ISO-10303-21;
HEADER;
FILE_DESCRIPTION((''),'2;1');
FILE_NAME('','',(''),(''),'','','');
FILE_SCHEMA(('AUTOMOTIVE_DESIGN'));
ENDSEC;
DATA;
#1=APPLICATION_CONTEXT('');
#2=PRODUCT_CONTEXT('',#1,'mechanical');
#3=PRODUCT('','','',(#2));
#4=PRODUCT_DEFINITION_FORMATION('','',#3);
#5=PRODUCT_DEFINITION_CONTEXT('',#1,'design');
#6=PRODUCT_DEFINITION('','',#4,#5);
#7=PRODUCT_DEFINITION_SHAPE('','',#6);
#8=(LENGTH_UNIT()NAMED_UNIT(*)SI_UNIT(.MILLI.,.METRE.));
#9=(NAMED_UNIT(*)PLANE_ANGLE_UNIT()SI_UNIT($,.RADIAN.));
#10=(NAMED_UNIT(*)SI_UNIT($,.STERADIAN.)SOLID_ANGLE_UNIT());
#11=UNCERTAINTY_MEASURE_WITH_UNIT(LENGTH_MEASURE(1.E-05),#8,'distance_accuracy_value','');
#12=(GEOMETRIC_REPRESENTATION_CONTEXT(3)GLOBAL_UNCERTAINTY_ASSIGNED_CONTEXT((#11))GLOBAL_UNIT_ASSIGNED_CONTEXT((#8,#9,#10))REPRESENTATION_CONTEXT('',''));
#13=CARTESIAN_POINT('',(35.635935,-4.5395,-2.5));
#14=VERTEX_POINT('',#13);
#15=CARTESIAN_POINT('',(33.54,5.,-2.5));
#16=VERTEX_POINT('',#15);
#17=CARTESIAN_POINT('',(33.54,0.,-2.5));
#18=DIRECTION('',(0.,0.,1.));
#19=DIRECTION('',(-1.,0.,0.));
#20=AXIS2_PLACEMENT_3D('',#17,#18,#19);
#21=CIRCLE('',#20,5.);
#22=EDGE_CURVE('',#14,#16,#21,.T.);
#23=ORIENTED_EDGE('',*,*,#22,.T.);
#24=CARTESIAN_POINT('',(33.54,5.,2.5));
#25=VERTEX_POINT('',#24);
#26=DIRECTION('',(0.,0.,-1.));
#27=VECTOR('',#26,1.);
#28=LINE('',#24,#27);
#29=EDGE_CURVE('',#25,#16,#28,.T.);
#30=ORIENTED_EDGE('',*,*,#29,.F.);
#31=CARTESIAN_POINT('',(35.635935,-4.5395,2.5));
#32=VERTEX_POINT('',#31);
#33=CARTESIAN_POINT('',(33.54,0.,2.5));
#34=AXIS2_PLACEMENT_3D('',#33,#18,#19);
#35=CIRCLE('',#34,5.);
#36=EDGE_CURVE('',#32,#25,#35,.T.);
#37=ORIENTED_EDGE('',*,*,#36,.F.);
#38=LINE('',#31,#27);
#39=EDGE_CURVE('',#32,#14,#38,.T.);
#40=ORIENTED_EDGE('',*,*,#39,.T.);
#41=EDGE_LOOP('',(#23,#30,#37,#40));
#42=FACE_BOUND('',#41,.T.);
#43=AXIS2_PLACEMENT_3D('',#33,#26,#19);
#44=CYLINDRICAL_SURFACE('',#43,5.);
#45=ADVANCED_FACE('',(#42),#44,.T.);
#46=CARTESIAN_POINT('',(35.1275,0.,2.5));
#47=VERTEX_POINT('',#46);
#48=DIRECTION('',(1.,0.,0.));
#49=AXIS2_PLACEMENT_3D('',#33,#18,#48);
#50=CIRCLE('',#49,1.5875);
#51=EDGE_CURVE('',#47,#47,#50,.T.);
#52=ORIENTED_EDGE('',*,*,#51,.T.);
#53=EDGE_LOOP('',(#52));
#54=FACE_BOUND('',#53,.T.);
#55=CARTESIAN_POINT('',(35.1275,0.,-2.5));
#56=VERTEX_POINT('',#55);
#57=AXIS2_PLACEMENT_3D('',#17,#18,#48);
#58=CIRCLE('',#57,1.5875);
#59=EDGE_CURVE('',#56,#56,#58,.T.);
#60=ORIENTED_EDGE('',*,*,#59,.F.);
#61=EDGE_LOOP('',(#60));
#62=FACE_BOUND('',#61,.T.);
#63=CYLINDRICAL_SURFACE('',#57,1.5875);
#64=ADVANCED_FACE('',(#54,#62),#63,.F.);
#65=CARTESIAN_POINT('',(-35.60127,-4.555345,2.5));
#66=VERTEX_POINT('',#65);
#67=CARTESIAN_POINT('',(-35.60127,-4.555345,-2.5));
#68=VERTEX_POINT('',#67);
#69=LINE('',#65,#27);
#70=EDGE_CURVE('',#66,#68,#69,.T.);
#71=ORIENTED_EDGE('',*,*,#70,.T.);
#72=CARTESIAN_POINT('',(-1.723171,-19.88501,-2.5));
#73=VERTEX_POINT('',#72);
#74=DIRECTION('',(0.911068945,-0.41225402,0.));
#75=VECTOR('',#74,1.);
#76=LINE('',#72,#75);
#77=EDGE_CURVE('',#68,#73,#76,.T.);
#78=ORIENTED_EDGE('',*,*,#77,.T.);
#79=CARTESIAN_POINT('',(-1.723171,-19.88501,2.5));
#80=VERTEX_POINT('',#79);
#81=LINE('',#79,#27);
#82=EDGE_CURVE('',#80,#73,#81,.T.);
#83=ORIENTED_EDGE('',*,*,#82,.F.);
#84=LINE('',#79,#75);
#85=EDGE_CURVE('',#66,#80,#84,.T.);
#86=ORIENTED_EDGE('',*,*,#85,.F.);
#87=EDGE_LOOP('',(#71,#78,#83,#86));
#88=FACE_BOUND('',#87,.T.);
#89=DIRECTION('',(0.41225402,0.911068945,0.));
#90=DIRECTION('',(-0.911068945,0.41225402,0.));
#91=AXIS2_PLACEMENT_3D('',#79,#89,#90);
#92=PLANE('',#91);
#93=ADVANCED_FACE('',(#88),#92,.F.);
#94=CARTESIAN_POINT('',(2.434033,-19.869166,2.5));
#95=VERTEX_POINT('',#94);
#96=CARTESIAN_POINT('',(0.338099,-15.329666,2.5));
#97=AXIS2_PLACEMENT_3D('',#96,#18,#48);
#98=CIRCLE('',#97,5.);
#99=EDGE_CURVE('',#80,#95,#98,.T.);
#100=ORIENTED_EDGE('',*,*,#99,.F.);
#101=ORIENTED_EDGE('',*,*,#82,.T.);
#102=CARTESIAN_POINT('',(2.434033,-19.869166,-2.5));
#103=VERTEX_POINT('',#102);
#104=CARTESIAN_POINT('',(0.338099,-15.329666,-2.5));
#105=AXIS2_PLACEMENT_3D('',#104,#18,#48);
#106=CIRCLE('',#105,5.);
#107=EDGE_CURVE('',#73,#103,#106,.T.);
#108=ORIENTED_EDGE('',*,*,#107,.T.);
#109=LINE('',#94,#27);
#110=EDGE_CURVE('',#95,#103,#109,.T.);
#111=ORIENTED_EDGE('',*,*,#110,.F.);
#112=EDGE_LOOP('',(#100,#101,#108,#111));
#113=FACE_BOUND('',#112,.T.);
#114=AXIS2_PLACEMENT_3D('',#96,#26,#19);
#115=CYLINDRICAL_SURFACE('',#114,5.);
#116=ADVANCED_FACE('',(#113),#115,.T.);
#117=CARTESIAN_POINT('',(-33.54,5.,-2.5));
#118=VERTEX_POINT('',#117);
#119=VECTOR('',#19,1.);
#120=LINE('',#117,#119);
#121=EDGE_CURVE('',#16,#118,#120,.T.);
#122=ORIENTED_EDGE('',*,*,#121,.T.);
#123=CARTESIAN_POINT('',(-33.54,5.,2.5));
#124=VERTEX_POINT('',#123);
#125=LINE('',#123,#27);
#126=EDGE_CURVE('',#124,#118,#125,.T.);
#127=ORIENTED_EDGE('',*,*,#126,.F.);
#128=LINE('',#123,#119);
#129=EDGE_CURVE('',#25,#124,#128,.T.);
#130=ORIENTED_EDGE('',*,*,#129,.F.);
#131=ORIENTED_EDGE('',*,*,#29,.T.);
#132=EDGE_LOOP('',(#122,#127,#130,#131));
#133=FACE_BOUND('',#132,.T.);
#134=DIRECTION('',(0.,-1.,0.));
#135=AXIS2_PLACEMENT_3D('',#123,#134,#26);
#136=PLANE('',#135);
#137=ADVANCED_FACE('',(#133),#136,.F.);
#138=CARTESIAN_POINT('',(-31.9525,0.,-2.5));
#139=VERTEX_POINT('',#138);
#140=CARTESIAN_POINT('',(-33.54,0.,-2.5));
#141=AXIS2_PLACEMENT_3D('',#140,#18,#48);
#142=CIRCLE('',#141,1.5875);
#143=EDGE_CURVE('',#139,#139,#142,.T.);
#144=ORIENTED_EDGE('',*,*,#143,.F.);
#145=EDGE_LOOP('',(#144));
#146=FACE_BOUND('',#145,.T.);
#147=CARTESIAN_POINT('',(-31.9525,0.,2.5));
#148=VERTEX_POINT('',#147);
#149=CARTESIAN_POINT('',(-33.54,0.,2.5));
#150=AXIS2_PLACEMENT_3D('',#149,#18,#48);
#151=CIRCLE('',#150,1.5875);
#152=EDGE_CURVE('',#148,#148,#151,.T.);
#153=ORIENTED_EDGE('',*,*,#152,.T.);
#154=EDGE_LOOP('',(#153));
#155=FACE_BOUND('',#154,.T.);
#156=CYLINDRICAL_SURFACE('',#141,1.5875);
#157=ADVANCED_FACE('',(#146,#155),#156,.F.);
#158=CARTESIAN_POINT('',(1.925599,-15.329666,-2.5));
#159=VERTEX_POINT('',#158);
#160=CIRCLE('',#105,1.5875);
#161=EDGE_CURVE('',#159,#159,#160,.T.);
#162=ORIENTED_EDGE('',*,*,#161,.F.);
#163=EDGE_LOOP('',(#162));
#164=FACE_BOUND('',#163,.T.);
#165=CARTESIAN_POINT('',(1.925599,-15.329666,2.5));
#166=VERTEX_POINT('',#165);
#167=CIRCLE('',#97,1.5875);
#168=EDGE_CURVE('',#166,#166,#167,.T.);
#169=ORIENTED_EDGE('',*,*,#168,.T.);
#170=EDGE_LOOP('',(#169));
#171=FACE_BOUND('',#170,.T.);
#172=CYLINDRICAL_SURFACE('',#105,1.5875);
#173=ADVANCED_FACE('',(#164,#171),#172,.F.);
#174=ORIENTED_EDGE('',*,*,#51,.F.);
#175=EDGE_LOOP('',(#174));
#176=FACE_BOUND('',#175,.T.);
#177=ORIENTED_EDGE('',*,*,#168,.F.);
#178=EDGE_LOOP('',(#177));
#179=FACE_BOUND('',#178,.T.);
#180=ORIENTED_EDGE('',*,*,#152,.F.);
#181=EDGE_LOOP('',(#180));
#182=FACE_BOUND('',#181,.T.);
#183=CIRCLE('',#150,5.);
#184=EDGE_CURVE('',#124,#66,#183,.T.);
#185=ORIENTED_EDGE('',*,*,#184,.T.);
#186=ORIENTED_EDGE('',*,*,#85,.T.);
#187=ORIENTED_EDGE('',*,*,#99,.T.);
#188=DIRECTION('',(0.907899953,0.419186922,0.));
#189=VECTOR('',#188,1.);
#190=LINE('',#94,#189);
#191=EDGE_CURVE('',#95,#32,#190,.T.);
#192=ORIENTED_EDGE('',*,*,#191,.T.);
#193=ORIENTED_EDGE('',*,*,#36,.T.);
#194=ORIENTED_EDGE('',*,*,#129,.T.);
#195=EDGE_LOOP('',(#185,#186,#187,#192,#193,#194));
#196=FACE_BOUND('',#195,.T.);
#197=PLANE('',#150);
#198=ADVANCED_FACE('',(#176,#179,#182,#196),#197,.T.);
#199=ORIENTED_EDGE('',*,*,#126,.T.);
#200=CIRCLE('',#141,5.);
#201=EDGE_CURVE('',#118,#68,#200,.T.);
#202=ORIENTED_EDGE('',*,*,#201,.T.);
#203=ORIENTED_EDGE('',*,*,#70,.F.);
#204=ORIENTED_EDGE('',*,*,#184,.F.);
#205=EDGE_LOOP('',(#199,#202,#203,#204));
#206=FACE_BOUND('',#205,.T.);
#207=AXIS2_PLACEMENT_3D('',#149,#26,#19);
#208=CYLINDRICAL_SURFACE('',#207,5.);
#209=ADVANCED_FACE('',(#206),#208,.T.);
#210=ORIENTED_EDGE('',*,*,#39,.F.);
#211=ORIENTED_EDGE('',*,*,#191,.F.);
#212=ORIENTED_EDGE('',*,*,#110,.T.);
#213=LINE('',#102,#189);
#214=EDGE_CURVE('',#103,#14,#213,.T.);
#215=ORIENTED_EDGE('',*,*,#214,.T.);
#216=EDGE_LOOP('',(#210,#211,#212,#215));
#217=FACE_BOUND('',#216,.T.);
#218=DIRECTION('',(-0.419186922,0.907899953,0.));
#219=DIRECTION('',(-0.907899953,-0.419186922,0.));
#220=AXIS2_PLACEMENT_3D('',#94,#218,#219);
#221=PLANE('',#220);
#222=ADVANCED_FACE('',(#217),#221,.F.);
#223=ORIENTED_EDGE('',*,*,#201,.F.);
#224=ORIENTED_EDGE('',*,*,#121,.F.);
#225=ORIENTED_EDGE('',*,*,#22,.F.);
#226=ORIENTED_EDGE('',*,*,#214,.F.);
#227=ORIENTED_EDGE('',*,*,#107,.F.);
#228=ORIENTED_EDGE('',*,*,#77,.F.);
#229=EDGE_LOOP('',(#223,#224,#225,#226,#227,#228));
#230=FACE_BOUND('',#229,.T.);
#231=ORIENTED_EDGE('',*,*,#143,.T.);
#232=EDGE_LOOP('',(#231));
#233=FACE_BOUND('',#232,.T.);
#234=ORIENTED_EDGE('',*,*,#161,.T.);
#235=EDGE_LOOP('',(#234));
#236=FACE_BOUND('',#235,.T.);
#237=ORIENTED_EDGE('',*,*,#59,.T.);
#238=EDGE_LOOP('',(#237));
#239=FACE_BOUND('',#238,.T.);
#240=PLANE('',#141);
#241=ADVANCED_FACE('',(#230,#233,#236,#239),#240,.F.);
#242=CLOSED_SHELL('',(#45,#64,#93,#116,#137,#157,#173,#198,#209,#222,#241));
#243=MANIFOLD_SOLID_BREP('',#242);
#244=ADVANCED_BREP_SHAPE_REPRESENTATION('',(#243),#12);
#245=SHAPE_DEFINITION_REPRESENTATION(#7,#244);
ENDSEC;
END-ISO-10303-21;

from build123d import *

# Parameters (mm, degrees)
BOSS_EXTRUDE1_DEPTH = 2.5
SKETCH2_R           = 1.5875
CUT_EXTRUDE1_DEPTH  = 44.859171323


with BuildPart() as part:
    # Sketch1 → Boss-Extrude1 (new, symmetric)
    with BuildSketch(Plane.XY):
        with BuildLine():
            Line((-33.54, 5), (33.54, 5))
            ThreePointArc((33.54, 5), (38.423518139, 1.072963462), (35.635934611, -4.539499764))
            Line((35.635934611, -4.539499764), (2.434033336, -19.869165506))
            ThreePointArc((2.434033336, -19.869165506), (0.357155817, -20.329629424), (-1.723171376, -19.885010467))
            Line((-1.723171376, -19.885010467), (-35.601270101, -4.555344726))
            ThreePointArc((-35.601270101, -4.555344726), (-38.42757218, 1.054342537), (-33.54, 5))
        make_face()
    extrude(amount=BOSS_EXTRUDE1_DEPTH, both=True)

    # Sketch2 → Cut-Extrude1 (cut, through all)
    with BuildSketch(Plane.XY.offset(2.5)):
        with Locations((-33.54, 0)):
            Circle(SKETCH2_R)
        with Locations((33.54, 0)):
            Circle(SKETCH2_R)
        with Locations((0.338098725, -15.329665742)):
            Circle(SKETCH2_R)
    extrude(amount=-CUT_EXTRUDE1_DEPTH, mode=Mode.SUBTRACT)


solid = part.part
